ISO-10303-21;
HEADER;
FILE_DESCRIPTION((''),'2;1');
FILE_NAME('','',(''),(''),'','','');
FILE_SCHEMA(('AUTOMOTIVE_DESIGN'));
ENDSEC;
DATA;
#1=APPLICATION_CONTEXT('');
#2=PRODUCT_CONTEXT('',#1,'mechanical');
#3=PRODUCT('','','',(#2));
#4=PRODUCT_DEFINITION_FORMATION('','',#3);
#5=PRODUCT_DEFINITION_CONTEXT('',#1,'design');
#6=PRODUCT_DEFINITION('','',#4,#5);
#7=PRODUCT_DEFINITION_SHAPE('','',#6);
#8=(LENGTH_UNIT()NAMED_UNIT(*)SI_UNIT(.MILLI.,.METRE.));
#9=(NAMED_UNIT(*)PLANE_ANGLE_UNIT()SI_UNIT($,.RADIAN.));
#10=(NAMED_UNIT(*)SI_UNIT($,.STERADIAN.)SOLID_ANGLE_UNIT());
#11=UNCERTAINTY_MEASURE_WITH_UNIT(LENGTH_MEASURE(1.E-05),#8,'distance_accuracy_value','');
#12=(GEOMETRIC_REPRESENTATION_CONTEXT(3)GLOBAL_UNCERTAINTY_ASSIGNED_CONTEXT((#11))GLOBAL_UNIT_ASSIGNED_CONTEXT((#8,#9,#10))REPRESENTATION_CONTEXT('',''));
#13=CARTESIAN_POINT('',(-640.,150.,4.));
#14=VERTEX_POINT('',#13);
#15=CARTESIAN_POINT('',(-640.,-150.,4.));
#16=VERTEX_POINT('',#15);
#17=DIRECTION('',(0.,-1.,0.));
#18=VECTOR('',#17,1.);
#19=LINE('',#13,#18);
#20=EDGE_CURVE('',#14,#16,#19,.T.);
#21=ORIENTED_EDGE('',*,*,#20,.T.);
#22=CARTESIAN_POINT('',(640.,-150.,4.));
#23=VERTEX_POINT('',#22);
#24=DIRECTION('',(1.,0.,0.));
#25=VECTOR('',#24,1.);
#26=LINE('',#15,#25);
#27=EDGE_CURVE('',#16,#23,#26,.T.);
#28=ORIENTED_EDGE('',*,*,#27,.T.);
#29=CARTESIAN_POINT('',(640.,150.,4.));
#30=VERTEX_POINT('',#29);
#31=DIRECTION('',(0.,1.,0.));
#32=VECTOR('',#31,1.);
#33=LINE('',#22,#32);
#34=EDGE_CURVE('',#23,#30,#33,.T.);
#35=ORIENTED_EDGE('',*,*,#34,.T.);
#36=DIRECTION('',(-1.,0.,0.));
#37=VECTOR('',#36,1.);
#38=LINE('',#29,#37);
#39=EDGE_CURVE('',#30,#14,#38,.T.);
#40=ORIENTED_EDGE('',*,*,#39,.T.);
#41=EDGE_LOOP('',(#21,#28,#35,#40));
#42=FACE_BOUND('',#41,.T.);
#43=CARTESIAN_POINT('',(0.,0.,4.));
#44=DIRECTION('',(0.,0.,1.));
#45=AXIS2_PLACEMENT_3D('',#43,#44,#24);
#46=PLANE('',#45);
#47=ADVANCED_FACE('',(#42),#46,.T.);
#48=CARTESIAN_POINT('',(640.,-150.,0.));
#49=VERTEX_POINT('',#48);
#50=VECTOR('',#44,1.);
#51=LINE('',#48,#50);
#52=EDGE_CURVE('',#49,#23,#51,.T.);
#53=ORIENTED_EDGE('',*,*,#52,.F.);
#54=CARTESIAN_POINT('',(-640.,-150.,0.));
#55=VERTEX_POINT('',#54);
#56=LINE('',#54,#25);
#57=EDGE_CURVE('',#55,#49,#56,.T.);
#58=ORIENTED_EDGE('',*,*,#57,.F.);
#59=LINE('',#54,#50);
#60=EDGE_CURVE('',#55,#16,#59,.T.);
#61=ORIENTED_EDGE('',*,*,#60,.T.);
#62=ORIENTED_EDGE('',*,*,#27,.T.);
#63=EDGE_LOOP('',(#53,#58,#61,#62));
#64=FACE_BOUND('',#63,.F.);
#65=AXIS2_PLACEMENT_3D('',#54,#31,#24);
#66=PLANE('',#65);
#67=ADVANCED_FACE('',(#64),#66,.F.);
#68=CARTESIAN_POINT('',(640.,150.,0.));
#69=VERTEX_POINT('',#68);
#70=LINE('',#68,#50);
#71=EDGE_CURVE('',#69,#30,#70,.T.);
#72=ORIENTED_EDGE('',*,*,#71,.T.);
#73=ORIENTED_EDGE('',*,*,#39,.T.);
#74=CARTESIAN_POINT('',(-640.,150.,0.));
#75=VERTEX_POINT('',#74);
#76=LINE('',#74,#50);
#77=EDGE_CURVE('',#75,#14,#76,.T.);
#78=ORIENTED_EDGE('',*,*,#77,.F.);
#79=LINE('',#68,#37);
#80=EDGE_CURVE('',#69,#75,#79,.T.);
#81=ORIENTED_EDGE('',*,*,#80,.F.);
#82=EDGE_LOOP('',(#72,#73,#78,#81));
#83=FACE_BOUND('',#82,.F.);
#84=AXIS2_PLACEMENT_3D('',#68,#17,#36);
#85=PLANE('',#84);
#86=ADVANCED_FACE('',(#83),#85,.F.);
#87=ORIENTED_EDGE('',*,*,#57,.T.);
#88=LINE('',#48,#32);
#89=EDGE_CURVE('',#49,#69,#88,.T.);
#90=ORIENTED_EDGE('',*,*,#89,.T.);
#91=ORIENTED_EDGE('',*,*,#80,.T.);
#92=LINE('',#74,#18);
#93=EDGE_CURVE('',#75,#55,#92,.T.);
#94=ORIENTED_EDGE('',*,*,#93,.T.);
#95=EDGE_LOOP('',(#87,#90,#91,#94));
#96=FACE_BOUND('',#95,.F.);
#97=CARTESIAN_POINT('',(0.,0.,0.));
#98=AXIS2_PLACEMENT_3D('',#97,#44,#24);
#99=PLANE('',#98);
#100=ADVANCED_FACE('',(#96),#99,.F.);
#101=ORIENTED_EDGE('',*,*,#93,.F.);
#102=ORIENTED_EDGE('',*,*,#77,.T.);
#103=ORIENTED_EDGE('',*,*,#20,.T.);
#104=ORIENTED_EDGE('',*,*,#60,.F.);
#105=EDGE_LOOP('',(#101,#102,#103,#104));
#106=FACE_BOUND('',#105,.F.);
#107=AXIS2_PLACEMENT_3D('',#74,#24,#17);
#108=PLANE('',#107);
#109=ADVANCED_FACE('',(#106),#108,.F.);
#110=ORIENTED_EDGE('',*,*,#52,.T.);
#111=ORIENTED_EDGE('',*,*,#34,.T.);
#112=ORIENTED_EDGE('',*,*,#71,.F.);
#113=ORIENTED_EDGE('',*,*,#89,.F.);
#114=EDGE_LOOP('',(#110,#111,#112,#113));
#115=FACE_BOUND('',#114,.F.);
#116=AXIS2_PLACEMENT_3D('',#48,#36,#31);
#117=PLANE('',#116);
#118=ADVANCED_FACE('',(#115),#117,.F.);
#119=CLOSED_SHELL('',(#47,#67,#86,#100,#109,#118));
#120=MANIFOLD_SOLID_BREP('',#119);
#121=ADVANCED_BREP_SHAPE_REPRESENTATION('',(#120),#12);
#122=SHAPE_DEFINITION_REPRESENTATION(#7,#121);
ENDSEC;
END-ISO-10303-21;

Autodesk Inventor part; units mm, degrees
ref_plane "YZ Plane" through (0, 0, 0) normal (1, 0, 0) x (0, 1, 0)
ref_plane "XZ Plane" through (0, 0, 0) normal (0, 1, 0) x (-1, 0, 0)
ref_plane "XY Plane" through (0, 0, 0) normal (0, 0, 1) x (1, 0, 0)
sketch "スケッチ1" plane through (0, 0, 0) normal (0, 0, 1) x (1, 0, 0)
  line L0 (-640, -150) -> (640, -150)
  line L1 (640, -150) -> (640, 150)
  line L2 (640, 150) -> (-640, 150)
  line L3 (-640, 150) -> (-640, -150)
  line L4 (-640, -150) -> (640, 150) construction
  line L5 (640, -150) -> (-640, 150) construction
  point P0 (0, 0)
  dimension "d0" = 1280
  dimension "d1" = 300
extrude "押し出し1" add sketch "スケッチ1" along normal blind 4
properties part number "前後"
